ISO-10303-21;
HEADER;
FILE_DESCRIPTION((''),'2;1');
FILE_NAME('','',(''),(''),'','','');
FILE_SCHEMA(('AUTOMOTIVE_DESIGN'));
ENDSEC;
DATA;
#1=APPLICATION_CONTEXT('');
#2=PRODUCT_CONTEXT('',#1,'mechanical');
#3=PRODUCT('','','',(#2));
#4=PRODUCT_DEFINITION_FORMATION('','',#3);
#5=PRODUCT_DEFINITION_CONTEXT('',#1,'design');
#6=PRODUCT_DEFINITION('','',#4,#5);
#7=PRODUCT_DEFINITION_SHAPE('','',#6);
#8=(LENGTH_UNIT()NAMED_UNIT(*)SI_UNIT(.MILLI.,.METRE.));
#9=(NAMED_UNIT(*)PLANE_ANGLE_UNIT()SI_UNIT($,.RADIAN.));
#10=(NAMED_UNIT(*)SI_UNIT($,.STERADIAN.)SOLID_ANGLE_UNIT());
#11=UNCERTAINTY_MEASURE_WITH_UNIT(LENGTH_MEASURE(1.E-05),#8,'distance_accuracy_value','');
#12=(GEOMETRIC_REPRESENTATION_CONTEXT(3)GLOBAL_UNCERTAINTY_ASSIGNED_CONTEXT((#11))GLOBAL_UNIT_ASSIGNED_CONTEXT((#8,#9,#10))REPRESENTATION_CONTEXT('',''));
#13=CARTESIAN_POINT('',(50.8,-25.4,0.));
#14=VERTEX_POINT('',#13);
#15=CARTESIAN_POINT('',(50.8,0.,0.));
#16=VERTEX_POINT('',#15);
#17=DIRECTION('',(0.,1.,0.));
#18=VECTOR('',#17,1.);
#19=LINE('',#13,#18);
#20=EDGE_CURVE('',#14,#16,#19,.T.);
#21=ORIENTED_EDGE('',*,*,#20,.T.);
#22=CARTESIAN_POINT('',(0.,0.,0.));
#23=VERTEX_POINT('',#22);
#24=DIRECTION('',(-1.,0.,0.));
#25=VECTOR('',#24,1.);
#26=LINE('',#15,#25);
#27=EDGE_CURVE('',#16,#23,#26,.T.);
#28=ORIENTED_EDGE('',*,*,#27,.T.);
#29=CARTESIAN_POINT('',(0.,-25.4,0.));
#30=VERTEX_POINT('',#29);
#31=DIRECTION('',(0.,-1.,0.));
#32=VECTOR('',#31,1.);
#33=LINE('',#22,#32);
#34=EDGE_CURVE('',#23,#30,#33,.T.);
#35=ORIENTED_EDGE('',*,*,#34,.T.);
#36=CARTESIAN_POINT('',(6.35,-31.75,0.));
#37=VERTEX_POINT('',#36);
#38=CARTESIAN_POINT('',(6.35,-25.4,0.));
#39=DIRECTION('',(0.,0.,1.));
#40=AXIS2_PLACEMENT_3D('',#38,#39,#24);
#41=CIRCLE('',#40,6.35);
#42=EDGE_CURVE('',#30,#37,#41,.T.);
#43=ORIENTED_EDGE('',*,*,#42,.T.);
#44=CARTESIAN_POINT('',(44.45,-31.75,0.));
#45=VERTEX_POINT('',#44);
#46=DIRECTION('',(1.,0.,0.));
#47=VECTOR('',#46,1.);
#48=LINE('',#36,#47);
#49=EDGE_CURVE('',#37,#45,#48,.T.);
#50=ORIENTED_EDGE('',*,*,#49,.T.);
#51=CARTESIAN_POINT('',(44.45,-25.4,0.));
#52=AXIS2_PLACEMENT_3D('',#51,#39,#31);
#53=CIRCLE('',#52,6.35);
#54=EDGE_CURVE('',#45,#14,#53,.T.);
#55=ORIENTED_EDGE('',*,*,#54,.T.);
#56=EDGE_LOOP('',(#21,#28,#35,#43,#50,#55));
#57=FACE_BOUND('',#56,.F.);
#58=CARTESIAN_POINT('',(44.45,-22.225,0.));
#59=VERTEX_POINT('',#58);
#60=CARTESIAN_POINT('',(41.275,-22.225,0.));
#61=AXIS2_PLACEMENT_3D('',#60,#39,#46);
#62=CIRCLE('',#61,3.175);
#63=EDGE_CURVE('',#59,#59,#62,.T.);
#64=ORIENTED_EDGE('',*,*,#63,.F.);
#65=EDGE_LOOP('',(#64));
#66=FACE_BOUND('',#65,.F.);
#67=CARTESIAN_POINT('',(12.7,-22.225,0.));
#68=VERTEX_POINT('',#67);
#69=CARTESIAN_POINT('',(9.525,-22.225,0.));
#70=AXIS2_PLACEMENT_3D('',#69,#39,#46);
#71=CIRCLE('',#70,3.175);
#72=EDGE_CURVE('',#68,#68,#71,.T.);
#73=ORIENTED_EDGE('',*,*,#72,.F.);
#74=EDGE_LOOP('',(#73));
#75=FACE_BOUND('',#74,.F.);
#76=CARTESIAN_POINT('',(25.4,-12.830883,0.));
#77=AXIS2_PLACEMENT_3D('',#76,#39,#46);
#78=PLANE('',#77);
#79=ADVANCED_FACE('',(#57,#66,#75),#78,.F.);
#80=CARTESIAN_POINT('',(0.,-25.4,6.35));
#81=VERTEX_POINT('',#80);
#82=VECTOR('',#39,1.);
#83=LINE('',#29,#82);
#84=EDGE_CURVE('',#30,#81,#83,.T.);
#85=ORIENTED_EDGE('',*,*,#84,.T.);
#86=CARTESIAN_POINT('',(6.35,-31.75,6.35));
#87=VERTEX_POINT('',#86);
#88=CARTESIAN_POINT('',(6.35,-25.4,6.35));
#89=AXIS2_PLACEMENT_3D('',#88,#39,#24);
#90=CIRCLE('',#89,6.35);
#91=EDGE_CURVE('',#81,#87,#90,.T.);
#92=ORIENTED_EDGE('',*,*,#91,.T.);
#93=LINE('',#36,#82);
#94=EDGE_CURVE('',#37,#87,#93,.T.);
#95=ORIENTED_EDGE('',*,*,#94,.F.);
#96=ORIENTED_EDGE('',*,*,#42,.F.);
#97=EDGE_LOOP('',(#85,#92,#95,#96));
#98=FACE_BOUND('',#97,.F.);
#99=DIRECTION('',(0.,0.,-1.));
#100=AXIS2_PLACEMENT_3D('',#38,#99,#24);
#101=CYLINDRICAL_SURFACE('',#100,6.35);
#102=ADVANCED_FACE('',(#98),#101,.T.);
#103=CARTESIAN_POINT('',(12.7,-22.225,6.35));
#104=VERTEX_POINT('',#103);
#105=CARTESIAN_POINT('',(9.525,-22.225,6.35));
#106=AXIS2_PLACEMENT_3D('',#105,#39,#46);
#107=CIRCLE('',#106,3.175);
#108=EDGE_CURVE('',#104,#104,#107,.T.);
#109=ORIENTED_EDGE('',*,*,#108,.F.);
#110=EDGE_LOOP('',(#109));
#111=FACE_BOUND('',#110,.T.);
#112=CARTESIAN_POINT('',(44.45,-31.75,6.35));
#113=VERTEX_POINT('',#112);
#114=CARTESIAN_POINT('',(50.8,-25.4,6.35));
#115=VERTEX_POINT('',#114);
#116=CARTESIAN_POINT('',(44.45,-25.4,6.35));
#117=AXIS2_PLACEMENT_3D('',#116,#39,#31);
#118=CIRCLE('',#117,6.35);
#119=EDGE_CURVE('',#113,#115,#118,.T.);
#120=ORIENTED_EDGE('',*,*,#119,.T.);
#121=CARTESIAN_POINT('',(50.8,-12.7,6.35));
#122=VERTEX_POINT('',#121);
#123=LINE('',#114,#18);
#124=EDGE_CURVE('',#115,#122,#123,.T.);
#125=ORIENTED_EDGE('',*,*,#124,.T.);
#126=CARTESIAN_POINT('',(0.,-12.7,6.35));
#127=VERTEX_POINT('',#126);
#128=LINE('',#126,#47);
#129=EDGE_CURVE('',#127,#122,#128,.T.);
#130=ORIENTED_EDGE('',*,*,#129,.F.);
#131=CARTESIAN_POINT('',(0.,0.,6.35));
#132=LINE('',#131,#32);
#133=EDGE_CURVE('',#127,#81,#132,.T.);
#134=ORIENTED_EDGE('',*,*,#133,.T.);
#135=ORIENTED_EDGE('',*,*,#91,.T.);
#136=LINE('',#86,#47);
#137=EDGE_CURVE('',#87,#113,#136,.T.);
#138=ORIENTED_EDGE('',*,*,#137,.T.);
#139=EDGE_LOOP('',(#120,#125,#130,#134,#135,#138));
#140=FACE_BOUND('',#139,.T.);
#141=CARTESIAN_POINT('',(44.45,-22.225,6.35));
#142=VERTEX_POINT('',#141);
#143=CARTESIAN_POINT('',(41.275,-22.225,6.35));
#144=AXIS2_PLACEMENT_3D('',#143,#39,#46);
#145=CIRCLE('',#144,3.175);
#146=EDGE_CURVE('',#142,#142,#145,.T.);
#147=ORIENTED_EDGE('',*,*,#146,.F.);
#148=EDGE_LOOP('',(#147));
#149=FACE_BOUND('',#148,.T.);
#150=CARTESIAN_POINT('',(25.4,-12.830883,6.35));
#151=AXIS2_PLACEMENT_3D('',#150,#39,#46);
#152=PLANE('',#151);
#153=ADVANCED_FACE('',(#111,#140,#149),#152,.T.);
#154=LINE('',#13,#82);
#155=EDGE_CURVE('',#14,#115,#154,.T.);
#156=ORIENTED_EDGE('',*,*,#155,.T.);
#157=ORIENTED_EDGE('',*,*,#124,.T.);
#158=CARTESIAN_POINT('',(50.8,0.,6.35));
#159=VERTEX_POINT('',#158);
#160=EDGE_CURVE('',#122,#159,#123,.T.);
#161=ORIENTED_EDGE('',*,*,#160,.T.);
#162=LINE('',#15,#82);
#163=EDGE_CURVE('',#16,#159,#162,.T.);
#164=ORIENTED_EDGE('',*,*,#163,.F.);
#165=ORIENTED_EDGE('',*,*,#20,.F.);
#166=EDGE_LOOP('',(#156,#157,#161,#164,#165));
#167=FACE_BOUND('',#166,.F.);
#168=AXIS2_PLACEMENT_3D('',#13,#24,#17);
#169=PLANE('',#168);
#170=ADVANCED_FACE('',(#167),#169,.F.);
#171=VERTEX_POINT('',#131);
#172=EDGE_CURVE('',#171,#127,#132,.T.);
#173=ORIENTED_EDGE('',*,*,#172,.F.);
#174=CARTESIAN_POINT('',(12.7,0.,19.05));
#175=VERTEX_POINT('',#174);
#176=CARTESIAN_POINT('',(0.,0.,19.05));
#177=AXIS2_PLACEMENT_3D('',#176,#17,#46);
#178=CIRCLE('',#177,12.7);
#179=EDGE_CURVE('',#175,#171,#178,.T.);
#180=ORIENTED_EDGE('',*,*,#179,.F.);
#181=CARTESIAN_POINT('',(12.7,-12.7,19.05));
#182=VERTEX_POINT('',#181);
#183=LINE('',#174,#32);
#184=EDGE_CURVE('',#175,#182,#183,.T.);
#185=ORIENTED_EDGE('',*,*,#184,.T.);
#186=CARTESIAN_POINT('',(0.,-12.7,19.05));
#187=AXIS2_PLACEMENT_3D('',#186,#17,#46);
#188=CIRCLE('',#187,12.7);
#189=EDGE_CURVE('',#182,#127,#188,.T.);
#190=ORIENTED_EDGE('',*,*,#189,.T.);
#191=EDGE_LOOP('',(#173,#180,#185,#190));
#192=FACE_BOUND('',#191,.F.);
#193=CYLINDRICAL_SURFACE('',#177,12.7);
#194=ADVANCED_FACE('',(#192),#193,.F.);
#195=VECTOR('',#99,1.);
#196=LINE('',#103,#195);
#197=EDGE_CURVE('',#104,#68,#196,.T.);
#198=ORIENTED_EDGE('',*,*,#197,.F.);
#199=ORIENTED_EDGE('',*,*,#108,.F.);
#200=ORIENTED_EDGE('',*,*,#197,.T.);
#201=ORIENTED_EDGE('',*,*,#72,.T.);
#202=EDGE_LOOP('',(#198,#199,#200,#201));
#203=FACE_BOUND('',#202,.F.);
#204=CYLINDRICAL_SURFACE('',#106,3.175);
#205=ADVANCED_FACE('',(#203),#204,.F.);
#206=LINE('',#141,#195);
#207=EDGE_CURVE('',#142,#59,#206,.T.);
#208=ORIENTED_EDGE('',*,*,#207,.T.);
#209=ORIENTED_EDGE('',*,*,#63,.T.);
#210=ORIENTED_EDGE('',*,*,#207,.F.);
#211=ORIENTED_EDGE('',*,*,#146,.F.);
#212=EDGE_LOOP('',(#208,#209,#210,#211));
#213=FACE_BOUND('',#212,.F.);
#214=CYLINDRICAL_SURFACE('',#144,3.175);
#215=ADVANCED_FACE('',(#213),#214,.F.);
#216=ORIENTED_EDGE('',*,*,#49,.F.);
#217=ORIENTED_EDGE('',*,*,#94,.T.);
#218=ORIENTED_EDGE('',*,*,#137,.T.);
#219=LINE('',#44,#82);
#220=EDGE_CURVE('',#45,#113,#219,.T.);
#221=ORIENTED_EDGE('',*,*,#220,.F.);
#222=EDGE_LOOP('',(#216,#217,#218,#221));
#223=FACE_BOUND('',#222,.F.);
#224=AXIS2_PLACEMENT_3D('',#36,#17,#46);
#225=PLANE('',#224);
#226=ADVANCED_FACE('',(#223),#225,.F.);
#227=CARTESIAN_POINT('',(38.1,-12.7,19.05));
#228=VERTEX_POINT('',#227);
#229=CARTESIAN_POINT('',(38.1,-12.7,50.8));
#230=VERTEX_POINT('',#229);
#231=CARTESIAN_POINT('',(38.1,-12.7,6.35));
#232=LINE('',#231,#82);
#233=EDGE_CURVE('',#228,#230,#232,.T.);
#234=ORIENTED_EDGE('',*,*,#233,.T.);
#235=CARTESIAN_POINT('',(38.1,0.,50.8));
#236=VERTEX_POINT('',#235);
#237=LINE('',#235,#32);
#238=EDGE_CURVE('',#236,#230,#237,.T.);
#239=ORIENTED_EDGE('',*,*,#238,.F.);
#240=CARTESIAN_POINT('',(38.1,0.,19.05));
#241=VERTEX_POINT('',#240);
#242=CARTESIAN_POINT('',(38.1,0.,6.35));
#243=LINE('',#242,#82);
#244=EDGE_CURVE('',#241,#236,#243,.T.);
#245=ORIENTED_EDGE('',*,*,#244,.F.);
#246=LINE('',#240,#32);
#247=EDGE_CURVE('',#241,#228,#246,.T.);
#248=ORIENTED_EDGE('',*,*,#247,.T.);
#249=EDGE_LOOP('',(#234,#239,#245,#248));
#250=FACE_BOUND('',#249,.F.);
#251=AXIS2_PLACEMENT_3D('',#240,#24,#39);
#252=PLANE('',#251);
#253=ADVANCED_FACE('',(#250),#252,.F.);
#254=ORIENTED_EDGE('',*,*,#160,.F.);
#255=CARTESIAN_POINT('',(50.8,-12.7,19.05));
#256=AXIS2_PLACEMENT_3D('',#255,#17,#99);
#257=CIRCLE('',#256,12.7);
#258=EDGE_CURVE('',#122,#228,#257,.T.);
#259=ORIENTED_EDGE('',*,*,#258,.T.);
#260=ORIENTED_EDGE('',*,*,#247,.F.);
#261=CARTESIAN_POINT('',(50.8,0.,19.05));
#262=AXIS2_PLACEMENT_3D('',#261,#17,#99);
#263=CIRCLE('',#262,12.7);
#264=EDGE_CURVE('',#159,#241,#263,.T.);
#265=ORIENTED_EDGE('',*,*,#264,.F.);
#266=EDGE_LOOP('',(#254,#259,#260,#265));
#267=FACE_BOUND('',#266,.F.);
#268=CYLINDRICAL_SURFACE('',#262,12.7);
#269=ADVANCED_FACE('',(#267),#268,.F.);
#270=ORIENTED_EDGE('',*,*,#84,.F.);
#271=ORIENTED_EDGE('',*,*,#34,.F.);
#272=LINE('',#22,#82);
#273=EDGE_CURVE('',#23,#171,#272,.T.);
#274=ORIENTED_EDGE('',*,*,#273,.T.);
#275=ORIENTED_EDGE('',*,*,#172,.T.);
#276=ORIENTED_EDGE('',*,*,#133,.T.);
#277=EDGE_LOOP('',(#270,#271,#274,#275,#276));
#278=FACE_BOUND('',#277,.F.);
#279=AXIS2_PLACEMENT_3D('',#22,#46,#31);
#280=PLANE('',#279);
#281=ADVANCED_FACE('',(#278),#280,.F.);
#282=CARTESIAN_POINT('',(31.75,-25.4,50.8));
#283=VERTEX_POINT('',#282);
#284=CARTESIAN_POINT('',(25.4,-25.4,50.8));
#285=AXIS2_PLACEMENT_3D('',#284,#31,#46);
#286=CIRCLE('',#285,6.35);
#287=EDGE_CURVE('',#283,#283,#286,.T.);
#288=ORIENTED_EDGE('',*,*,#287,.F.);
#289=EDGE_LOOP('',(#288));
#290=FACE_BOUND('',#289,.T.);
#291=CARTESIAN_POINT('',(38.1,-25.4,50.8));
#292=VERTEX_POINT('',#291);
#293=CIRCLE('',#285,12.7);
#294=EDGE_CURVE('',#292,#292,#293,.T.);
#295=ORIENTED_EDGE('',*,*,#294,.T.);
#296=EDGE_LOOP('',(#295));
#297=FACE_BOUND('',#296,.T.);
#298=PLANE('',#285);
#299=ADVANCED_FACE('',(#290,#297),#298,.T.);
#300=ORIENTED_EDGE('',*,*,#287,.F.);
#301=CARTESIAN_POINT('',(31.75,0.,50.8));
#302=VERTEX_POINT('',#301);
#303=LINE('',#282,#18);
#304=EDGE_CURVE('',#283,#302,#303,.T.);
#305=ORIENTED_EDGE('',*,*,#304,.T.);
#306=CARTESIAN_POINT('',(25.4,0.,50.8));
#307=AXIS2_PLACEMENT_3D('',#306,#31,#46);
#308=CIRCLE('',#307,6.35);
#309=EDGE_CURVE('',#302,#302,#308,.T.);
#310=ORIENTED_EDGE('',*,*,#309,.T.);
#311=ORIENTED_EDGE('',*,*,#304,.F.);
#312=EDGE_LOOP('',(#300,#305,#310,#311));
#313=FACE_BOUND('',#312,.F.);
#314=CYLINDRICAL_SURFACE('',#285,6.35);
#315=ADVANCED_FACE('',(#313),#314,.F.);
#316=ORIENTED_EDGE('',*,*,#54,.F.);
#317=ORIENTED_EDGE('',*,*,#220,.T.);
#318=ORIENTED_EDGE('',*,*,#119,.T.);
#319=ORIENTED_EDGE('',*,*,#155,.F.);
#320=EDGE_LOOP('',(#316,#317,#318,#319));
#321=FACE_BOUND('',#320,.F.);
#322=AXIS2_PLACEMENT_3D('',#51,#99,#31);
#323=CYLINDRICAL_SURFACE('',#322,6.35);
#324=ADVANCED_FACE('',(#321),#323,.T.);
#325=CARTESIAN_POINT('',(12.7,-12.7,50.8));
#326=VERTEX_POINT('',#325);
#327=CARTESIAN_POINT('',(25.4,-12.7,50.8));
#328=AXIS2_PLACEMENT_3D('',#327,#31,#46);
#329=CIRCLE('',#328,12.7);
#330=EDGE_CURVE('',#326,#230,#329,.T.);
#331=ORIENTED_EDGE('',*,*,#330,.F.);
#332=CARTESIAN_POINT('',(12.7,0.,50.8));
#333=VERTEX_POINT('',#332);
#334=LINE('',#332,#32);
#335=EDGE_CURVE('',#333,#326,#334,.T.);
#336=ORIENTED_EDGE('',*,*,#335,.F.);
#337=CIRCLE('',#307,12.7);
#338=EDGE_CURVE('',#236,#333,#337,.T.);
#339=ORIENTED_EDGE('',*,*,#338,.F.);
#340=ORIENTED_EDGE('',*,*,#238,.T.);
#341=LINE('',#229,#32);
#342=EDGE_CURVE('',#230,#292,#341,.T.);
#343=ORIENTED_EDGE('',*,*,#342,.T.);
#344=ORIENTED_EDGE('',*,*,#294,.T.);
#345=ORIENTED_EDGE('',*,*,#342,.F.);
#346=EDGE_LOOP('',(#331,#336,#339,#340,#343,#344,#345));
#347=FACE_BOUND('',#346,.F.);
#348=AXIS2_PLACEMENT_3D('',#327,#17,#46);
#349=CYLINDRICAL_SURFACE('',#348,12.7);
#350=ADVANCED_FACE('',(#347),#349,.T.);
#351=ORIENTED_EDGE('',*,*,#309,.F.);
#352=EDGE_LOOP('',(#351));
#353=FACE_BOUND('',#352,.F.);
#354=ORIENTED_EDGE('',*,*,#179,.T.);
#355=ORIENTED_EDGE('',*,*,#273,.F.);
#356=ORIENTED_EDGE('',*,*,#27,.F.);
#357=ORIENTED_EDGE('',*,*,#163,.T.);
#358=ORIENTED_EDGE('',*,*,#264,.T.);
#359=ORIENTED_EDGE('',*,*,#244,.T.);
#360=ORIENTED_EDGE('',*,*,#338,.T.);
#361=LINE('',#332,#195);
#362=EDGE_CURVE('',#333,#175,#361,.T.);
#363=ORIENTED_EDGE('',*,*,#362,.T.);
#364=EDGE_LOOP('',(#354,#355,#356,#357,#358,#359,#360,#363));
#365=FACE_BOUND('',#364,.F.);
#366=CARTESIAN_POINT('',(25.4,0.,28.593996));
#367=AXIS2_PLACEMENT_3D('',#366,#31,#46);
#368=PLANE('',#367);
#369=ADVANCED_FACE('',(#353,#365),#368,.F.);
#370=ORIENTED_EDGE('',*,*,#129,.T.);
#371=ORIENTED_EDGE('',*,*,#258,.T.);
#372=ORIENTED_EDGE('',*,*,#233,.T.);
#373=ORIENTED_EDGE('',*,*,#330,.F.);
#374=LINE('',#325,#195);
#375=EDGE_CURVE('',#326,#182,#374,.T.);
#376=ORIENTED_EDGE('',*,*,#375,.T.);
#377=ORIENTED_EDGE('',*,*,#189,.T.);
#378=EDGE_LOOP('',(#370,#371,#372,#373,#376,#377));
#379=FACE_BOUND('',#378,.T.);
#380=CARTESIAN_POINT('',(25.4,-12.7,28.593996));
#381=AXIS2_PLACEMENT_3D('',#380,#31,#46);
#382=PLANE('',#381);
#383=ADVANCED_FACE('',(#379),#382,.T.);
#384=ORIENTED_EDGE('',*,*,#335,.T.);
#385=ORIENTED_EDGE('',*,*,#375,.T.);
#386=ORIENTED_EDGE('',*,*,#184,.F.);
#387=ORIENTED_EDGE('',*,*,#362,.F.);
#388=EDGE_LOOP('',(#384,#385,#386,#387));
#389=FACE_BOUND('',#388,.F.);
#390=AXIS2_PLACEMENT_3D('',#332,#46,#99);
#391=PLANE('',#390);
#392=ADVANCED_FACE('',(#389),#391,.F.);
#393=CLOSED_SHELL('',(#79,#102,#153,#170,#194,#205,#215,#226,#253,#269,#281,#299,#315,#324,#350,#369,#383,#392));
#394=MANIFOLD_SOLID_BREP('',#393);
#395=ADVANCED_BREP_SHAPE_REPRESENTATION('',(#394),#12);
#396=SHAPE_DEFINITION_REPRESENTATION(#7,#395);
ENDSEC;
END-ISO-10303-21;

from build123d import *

# Parameters (mm, degrees)
F1_DEPTH = 6.35
F3_DEPTH = 12.7
F5_DEPTH = 12.7
F6_R     = 6.35
F7_DEPTH = 25.4
F8_R     = 3.175
F9_DEPTH = 6.35


with BuildPart() as f1:
    # F0 (on Top) → F1 (new body)
    with BuildSketch(Plane.XY):
        with BuildLine():
            Line((50.8, 0), (0, 0))
            Line((0, 0), (0, -25.4))
            ThreePointArc((0, -25.4), (6.35, -19.05), (12.7, -25.4))
            Line((12.7, -25.4), (38.1, -25.4))
            ThreePointArc((38.1, -25.4), (44.45, -19.05), (50.8, -25.4))
            Line((50.8, -25.4), (50.8, 0))
        make_face()
        with BuildLine():
            ThreePointArc((12.7, -25.4), (6.35, -19.05), (0, -25.4))
            Line((0, -25.4), (6.35, -25.4))
            Line((6.35, -25.4), (12.7, -25.4))
        make_face()
        with BuildLine():
            Line((6.35, -25.4), (0, -25.4))
            ThreePointArc((0, -25.4), (1.8598719395, -29.8901280605), (6.35, -31.75))
            Line((6.35, -31.75), (6.35, -25.4))
        make_face()
        with BuildLine():
            Line((12.7, -25.4), (6.35, -25.4))
            Line((6.35, -25.4), (6.35, -31.75))
            ThreePointArc((6.35, -31.75), (10.8401280605, -29.8901280605), (12.7, -25.4))
        make_face()
        with BuildLine():
            Line((38.1, -25.4), (12.7, -25.4))
            ThreePointArc((12.7, -25.4), (10.8401280605, -29.8901280605), (6.35, -31.75))
            Line((6.35, -31.75), (44.45, -31.75))
            ThreePointArc((44.45, -31.75), (39.9598719395, -29.8901280605), (38.1, -25.4))
        make_face()
        with BuildLine():
            Line((44.45, -31.75), (44.45, -25.4))
            Line((44.45, -25.4), (38.1, -25.4))
            ThreePointArc((38.1, -25.4), (39.9598719395, -29.8901280605), (44.45, -31.75))
        make_face()
        with BuildLine():
            ThreePointArc((44.45, -31.75), (48.9401280605, -29.8901280605), (50.8, -25.4))
            Line((50.8, -25.4), (44.45, -25.4))
            Line((44.45, -25.4), (44.45, -31.75))
        make_face()
        with BuildLine():
            Line((44.45, -25.4), (50.8, -25.4))
            ThreePointArc((50.8, -25.4), (44.45, -19.05), (38.1, -25.4))
            Line((38.1, -25.4), (44.45, -25.4))
        make_face()
    extrude(amount=F1_DEPTH)

    # F2 (on Front) → F3 (join)
    with BuildSketch(Plane.XZ):
        with BuildLine():
            Line((12.7, 19.05), (12.7, 6.35))
            Line((12.7, 6.35), (38.1, 6.35))
            Line((38.1, 6.35), (38.1, 19.05))
            Line((38.1, 19.05), (38.1, 50.8))
            ThreePointArc((38.1, 50.8), (25.4, 38.1), (12.7, 50.8))
            Line((12.7, 50.8), (12.7, 19.05))
        make_face()
        with BuildLine():
            Line((0, 6.35), (12.7, 6.35))
            Line((12.7, 6.35), (12.7, 19.05))
            ThreePointArc((12.7, 19.05), (8.9802561211, 10.0697438789), (0, 6.35))
        make_face()
        with BuildLine():
            Line((38.1, 19.05), (38.1, 6.35))
            Line((38.1, 6.35), (50.8, 6.35))
            ThreePointArc((50.8, 6.35), (41.8197438789, 10.0697438789), (38.1, 19.05))
        make_face()
        with BuildLine():
            ThreePointArc((38.1, 50.8), (25.4, 63.5), (12.7, 50.8))
            Line((12.7, 50.8), (38.1, 50.8))
        make_face()
        with BuildLine():
            Line((38.1, 50.8), (12.7, 50.8))
            ThreePointArc((12.7, 50.8), (25.4, 38.1), (38.1, 50.8))
        make_face()
    extrude(amount=F3_DEPTH)

    # F4 (on face) → F5 (join)
    with BuildSketch(Plane.XZ.offset(12.7)):
        with BuildLine():
            ThreePointArc((12.7, 50.8), (25.4, 38.1), (38.1, 50.8))
            ThreePointArc((38.1, 50.8), (25.4, 63.5), (12.7, 50.8))
        make_face()
    extrude(amount=F5_DEPTH)

    # F6 (on face) → F7 (cut)
    with BuildSketch(Plane.XZ.offset(25.4)):
        with Locations((25.4, 50.8)):
            Circle(F6_R)
    extrude(amount=-F7_DEPTH, mode=Mode.SUBTRACT)

    # F8 (on face) → F9 (cut)
    with BuildSketch(Plane.XY.offset(6.35)):
        with Locations((9.525, -22.225)):
            Circle(F8_R)
        with Locations((41.275, -22.225)):
            Circle(F8_R)
    extrude(amount=-F9_DEPTH, mode=Mode.SUBTRACT)


solid = f1.part
